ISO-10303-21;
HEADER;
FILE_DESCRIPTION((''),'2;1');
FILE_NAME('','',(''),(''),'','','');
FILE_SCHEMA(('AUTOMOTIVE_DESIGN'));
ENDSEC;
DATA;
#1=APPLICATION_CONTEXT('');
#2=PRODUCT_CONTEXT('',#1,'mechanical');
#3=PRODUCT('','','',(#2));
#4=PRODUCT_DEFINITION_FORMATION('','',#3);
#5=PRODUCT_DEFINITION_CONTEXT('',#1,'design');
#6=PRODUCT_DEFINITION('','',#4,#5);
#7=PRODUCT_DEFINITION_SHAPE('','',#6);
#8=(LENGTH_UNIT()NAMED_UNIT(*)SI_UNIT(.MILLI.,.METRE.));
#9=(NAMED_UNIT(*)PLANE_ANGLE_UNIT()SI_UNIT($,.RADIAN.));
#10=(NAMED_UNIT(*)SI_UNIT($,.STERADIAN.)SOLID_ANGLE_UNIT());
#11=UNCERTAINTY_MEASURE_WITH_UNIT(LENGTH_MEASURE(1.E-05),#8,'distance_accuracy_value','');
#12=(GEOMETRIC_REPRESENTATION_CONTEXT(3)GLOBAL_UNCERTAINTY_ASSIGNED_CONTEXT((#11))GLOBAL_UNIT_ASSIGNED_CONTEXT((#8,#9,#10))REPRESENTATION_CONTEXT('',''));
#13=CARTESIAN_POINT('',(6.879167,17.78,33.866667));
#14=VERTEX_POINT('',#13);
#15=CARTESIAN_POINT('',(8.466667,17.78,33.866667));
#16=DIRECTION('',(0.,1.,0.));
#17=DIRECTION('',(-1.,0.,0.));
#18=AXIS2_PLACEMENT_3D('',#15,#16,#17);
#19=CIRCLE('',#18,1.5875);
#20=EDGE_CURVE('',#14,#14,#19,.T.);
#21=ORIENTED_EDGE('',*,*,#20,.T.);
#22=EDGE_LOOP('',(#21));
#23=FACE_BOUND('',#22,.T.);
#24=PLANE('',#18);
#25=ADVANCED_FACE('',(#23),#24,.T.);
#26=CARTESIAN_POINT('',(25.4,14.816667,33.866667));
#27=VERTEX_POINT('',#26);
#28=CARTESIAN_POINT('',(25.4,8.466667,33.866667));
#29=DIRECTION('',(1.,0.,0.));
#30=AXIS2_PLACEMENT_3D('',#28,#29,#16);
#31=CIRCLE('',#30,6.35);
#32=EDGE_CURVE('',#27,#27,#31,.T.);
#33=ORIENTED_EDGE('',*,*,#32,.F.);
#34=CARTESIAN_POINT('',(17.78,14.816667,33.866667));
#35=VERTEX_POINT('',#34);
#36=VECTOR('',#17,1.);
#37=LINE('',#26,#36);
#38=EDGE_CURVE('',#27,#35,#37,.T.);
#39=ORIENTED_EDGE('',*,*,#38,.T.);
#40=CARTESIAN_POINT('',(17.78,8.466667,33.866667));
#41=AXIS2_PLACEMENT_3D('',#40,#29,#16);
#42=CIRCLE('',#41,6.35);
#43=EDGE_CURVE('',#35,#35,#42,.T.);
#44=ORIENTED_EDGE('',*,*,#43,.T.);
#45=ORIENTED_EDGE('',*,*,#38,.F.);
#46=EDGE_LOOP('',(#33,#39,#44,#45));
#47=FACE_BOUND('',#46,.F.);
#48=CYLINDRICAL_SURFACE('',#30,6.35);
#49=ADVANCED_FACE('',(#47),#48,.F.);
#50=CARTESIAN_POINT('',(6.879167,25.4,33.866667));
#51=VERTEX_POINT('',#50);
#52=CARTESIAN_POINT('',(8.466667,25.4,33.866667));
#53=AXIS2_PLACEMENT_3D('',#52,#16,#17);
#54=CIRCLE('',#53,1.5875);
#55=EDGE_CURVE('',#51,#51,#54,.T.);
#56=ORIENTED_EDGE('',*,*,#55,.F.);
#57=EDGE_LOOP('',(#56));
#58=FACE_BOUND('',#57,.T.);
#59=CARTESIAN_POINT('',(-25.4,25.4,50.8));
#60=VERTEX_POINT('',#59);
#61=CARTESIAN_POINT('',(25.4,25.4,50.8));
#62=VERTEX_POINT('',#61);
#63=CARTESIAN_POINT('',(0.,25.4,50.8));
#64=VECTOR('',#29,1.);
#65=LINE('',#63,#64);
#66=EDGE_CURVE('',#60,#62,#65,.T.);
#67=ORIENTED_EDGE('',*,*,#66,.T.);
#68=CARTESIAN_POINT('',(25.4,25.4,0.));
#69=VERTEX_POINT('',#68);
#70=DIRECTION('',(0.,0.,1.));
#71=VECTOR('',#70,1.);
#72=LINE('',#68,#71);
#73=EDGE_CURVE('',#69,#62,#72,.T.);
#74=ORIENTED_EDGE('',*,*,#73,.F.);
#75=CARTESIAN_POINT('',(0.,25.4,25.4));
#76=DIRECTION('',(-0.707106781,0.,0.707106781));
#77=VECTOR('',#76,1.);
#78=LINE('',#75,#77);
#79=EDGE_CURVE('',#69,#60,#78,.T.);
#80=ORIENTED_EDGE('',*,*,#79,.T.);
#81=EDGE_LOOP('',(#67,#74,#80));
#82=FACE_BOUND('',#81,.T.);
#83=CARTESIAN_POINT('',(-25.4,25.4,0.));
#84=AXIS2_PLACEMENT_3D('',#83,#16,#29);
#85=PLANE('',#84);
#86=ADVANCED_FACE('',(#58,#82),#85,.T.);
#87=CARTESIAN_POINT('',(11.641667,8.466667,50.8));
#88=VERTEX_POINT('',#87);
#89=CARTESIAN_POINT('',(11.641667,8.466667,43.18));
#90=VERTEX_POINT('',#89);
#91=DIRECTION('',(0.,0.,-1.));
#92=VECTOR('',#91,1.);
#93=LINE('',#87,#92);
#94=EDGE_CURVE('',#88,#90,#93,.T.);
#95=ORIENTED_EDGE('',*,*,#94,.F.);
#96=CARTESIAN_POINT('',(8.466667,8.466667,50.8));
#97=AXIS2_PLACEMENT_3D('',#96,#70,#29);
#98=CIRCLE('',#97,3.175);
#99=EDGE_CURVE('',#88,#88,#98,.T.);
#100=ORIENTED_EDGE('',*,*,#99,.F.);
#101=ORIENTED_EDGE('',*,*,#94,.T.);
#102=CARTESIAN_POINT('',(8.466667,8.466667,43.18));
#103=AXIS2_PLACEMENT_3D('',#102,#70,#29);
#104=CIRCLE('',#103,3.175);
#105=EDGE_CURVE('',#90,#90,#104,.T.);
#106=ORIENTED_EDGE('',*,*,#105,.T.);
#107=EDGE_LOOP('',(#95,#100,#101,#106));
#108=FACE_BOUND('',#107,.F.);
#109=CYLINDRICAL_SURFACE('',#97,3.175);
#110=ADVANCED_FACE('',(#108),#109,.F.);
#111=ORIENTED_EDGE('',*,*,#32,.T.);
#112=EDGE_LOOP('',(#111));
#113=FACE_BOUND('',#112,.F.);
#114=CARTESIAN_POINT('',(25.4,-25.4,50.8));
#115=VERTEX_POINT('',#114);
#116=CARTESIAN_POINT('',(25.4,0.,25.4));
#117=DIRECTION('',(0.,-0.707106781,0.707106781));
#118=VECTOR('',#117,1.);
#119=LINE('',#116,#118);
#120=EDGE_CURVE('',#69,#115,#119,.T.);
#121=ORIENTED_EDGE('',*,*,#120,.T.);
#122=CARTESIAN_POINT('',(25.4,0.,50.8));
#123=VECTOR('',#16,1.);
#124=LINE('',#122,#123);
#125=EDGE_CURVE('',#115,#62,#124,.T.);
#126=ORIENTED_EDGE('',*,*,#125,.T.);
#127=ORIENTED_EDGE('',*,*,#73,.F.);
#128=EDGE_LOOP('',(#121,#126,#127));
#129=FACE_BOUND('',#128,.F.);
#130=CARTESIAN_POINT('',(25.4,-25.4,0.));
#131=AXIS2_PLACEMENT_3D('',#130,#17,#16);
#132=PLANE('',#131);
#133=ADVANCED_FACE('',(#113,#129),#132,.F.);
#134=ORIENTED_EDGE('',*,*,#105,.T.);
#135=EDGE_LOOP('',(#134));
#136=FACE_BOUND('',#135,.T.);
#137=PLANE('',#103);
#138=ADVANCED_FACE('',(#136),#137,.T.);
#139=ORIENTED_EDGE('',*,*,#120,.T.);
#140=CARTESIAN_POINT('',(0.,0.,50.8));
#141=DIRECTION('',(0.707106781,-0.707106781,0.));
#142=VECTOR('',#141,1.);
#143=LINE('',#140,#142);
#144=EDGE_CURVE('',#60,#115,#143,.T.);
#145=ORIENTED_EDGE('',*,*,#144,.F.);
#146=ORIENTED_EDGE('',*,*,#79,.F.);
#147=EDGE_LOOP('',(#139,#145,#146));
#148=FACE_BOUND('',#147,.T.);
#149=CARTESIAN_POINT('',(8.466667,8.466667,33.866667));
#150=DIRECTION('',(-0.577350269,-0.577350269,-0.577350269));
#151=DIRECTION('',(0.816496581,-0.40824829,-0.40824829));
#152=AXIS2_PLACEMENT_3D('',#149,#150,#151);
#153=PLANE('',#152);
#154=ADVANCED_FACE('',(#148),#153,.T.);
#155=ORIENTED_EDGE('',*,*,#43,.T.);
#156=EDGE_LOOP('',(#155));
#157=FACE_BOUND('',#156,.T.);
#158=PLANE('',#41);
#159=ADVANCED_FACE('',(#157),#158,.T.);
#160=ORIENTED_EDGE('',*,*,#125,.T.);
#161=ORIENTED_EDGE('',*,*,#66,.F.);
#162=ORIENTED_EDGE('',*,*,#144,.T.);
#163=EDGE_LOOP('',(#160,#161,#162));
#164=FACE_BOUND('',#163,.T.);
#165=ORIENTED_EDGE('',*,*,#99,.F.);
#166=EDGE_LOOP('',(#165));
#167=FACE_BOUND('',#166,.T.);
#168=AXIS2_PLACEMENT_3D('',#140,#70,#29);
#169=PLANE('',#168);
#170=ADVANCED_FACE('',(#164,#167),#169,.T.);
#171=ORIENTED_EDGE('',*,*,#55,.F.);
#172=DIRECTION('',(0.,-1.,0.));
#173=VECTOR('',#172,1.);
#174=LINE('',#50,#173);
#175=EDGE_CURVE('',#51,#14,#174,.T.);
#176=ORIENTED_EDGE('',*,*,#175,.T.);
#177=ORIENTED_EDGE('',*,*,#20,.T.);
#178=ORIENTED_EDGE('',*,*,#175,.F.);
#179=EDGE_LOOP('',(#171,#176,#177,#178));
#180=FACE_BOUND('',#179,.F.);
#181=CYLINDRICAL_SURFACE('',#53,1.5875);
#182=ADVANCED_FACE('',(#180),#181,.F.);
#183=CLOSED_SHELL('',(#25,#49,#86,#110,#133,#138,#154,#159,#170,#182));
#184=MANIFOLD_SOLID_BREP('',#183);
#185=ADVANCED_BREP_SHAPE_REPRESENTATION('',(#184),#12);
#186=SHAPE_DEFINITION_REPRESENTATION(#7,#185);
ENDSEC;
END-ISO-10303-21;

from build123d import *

# Parameters (mm, degrees)
F0_W      = 50.8
F0_H      = 50.8
F1_DEPTH  = 50.8
F4_DEPTH  = 58.6597873497
F5_R      = 6.35
F8_DEPTH  = 7.62
F6_R      = 3.175
F9_DEPTH  = 7.62
F7_R      = 1.5875
F10_DEPTH = 7.62


with BuildPart() as f1:
    # F0 (on Top) → F1 (new body)
    with BuildSketch(Plane.XY):
        Rectangle(F0_W, F0_H)
    extrude(amount=F1_DEPTH)

    # F3 (on 3pt) → F4 (cut, through all)
    with BuildSketch(Plane(origin=(16.9333333333, 16.9333333333, 16.9333333333), x_dir=(0.8164965809, -0.4082482905, -0.4082482905), z_dir=(-0.5773502692, -0.5773502692, -0.5773502692))):
        Polygon((-51.8475328889, 17.9605122421), (-31.1085197333, -17.9605122421), (10.3695065778, -17.9605122421), (31.1085197333, 17.9605122421), (10.3695065778, 53.8815367264), (-31.1085197333, 53.8815367264), align=None)
    extrude(amount=F4_DEPTH, mode=Mode.SUBTRACT)

    # F5 (on face) → F8 (cut)
    with BuildSketch(Plane.YZ.offset(25.4)):
        with Locations((8.4666666667, 33.8666666667)):
            Circle(F5_R)
    extrude(amount=-F8_DEPTH, mode=Mode.SUBTRACT)

    # F6 (on face) → F9 (cut)
    with BuildSketch(Plane.XY.offset(50.8)):
        with Locations((8.4666666667, 8.4666666667)):
            Circle(F6_R)
    extrude(amount=-F9_DEPTH, mode=Mode.SUBTRACT)

    # F7 (on face) → F10 (cut)
    with BuildSketch(Plane(origin=(0, 25.4, 0), x_dir=(-1, 0, 0), z_dir=(0, 1, 0))):
        with Locations((-8.4666666667, 33.8666666667)):
            Circle(F7_R)
    extrude(amount=-F10_DEPTH, mode=Mode.SUBTRACT)


solid = f1.part
